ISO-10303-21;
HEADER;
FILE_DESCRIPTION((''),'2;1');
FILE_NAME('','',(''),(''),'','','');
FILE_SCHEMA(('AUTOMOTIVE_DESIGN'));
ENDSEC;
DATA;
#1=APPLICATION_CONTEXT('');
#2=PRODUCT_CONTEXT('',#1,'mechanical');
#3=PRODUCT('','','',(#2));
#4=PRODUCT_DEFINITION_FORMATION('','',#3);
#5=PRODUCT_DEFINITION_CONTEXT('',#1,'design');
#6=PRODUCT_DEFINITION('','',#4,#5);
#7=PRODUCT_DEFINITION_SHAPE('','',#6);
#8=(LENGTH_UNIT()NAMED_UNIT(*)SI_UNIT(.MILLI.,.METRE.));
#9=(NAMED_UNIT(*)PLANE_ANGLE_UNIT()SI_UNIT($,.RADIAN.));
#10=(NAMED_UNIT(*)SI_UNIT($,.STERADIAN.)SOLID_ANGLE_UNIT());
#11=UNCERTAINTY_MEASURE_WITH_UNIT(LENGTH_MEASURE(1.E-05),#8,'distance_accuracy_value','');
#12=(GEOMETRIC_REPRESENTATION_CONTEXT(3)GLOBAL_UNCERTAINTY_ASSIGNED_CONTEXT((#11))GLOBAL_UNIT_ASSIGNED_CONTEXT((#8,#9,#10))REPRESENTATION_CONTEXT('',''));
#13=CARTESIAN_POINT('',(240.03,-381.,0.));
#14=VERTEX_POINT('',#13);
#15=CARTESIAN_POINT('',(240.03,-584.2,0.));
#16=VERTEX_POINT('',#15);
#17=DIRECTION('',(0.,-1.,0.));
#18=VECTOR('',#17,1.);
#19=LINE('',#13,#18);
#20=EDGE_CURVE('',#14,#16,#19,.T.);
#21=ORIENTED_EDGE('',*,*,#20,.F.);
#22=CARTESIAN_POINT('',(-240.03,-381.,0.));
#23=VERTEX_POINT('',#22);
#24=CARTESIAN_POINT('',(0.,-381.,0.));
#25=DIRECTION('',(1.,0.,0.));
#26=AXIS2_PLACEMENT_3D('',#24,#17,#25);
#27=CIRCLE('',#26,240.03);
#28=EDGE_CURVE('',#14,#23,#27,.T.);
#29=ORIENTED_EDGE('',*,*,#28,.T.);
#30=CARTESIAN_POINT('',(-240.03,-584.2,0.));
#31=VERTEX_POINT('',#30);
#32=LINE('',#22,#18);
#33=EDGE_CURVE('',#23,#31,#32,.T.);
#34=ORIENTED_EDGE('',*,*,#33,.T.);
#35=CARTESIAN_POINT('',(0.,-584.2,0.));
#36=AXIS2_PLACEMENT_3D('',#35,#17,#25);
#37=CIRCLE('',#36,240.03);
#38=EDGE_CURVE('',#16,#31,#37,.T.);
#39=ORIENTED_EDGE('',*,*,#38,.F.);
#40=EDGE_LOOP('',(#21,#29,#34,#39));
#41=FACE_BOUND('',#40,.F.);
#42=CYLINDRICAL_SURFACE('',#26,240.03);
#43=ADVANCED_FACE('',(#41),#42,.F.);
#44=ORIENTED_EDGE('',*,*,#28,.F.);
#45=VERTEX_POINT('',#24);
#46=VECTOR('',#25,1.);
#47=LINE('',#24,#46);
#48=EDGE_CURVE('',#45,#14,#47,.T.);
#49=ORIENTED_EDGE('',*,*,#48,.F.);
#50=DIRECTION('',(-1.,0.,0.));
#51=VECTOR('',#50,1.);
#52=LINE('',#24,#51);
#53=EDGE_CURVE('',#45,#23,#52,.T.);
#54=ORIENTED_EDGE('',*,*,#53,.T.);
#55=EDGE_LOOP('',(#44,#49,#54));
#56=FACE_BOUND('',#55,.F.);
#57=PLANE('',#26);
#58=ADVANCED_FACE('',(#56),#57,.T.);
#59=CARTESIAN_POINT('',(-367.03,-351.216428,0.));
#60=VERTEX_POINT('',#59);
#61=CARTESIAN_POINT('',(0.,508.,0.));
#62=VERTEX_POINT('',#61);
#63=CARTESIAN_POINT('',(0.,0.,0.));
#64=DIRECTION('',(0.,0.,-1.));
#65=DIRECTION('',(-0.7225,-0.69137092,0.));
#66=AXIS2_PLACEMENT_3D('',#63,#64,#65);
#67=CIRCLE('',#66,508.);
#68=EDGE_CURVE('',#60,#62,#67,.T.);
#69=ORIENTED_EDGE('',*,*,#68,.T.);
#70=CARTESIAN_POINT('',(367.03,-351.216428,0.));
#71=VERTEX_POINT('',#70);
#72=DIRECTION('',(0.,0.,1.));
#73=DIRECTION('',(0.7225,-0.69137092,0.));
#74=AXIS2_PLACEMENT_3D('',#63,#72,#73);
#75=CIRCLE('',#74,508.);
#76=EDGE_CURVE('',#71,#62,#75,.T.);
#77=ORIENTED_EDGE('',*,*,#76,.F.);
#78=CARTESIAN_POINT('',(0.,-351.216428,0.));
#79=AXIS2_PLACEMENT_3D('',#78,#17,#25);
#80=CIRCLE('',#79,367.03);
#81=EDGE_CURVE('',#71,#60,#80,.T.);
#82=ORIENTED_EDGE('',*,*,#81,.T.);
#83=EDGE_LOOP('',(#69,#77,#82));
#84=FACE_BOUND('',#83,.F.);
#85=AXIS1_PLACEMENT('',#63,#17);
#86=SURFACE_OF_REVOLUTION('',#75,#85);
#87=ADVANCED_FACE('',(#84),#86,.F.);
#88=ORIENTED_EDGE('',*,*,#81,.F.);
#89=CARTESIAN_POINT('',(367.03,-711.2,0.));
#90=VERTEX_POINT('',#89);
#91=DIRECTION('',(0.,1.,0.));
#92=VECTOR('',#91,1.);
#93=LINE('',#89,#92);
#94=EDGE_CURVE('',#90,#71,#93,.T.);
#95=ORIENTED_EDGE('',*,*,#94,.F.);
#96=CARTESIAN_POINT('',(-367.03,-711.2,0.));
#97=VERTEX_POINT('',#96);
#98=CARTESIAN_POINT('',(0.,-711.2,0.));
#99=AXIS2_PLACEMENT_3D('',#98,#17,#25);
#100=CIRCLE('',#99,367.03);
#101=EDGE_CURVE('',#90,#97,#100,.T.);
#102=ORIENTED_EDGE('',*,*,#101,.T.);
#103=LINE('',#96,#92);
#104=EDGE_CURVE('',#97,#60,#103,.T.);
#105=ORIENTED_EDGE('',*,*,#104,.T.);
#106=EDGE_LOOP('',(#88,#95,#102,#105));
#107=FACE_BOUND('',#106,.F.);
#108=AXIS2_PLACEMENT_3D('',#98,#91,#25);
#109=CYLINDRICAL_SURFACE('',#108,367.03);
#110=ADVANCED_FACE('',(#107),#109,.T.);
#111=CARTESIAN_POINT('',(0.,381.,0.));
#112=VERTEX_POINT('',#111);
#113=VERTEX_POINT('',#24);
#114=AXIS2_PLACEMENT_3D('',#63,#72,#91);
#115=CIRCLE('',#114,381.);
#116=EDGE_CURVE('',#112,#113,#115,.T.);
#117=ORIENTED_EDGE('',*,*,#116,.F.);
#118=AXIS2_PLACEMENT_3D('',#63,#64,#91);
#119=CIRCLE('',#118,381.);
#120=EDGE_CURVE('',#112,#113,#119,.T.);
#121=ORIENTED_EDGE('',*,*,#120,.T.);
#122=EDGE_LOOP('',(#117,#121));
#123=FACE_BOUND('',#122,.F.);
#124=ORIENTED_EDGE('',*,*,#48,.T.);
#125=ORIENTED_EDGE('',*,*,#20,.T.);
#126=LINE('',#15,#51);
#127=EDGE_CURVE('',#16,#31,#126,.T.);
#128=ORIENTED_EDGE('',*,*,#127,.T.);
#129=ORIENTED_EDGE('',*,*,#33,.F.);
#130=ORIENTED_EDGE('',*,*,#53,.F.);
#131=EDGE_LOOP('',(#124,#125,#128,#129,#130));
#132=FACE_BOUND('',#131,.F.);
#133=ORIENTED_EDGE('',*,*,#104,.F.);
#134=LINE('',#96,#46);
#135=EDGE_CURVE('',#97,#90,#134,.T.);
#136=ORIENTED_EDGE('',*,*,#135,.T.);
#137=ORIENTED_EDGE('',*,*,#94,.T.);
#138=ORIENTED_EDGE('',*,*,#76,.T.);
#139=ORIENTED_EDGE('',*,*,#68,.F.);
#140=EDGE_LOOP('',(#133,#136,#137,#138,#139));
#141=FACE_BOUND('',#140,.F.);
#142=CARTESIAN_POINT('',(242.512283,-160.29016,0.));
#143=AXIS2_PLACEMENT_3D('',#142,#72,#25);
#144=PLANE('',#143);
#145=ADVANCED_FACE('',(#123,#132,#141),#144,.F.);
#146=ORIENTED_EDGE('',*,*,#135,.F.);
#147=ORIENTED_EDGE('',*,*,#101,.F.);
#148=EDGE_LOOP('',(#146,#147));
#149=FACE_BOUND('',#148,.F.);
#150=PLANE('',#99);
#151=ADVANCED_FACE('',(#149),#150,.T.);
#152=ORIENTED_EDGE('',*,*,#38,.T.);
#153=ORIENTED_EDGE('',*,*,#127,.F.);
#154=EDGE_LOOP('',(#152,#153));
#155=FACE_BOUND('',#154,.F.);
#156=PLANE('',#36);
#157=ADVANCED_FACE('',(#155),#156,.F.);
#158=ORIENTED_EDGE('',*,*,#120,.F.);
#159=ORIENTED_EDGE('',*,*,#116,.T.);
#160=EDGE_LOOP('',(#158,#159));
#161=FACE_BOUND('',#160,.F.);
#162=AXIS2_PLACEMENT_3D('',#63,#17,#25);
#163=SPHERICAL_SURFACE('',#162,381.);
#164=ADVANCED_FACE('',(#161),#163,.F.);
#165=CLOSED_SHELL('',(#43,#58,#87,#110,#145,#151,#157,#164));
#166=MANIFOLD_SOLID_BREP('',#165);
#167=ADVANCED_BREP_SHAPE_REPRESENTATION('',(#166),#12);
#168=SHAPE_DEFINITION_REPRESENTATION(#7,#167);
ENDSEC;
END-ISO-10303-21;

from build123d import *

# Parameters (mm, degrees)
F1_ANGLE = 180


with BuildPart() as f1:
    # F0 (on Top) → F1 (revolve)
    with BuildSketch(Plane.XY):
        with BuildLine():
            ThreePointArc((0, 381), (381, 0), (0, -381))
            Line((0, -381), (240.03, -381))
            Line((240.03, -381), (240.03, -584.2))
            Line((240.03, -584.2), (0, -584.2))
            Line((0, -584.2), (0, -711.2))
            Line((0, -711.2), (367.03, -711.2))
            Line((367.03, -711.2), (367.03, -351.216428))
            ThreePointArc((367.03, -351.216428), (467.162683, 199.557078), (0, 508))
            Line((0, 508), (0, 381))
        make_face()
    revolve(axis=Axis((0, 0, 0), (0, -1, 0)), revolution_arc=F1_ANGLE)


solid = f1.part
